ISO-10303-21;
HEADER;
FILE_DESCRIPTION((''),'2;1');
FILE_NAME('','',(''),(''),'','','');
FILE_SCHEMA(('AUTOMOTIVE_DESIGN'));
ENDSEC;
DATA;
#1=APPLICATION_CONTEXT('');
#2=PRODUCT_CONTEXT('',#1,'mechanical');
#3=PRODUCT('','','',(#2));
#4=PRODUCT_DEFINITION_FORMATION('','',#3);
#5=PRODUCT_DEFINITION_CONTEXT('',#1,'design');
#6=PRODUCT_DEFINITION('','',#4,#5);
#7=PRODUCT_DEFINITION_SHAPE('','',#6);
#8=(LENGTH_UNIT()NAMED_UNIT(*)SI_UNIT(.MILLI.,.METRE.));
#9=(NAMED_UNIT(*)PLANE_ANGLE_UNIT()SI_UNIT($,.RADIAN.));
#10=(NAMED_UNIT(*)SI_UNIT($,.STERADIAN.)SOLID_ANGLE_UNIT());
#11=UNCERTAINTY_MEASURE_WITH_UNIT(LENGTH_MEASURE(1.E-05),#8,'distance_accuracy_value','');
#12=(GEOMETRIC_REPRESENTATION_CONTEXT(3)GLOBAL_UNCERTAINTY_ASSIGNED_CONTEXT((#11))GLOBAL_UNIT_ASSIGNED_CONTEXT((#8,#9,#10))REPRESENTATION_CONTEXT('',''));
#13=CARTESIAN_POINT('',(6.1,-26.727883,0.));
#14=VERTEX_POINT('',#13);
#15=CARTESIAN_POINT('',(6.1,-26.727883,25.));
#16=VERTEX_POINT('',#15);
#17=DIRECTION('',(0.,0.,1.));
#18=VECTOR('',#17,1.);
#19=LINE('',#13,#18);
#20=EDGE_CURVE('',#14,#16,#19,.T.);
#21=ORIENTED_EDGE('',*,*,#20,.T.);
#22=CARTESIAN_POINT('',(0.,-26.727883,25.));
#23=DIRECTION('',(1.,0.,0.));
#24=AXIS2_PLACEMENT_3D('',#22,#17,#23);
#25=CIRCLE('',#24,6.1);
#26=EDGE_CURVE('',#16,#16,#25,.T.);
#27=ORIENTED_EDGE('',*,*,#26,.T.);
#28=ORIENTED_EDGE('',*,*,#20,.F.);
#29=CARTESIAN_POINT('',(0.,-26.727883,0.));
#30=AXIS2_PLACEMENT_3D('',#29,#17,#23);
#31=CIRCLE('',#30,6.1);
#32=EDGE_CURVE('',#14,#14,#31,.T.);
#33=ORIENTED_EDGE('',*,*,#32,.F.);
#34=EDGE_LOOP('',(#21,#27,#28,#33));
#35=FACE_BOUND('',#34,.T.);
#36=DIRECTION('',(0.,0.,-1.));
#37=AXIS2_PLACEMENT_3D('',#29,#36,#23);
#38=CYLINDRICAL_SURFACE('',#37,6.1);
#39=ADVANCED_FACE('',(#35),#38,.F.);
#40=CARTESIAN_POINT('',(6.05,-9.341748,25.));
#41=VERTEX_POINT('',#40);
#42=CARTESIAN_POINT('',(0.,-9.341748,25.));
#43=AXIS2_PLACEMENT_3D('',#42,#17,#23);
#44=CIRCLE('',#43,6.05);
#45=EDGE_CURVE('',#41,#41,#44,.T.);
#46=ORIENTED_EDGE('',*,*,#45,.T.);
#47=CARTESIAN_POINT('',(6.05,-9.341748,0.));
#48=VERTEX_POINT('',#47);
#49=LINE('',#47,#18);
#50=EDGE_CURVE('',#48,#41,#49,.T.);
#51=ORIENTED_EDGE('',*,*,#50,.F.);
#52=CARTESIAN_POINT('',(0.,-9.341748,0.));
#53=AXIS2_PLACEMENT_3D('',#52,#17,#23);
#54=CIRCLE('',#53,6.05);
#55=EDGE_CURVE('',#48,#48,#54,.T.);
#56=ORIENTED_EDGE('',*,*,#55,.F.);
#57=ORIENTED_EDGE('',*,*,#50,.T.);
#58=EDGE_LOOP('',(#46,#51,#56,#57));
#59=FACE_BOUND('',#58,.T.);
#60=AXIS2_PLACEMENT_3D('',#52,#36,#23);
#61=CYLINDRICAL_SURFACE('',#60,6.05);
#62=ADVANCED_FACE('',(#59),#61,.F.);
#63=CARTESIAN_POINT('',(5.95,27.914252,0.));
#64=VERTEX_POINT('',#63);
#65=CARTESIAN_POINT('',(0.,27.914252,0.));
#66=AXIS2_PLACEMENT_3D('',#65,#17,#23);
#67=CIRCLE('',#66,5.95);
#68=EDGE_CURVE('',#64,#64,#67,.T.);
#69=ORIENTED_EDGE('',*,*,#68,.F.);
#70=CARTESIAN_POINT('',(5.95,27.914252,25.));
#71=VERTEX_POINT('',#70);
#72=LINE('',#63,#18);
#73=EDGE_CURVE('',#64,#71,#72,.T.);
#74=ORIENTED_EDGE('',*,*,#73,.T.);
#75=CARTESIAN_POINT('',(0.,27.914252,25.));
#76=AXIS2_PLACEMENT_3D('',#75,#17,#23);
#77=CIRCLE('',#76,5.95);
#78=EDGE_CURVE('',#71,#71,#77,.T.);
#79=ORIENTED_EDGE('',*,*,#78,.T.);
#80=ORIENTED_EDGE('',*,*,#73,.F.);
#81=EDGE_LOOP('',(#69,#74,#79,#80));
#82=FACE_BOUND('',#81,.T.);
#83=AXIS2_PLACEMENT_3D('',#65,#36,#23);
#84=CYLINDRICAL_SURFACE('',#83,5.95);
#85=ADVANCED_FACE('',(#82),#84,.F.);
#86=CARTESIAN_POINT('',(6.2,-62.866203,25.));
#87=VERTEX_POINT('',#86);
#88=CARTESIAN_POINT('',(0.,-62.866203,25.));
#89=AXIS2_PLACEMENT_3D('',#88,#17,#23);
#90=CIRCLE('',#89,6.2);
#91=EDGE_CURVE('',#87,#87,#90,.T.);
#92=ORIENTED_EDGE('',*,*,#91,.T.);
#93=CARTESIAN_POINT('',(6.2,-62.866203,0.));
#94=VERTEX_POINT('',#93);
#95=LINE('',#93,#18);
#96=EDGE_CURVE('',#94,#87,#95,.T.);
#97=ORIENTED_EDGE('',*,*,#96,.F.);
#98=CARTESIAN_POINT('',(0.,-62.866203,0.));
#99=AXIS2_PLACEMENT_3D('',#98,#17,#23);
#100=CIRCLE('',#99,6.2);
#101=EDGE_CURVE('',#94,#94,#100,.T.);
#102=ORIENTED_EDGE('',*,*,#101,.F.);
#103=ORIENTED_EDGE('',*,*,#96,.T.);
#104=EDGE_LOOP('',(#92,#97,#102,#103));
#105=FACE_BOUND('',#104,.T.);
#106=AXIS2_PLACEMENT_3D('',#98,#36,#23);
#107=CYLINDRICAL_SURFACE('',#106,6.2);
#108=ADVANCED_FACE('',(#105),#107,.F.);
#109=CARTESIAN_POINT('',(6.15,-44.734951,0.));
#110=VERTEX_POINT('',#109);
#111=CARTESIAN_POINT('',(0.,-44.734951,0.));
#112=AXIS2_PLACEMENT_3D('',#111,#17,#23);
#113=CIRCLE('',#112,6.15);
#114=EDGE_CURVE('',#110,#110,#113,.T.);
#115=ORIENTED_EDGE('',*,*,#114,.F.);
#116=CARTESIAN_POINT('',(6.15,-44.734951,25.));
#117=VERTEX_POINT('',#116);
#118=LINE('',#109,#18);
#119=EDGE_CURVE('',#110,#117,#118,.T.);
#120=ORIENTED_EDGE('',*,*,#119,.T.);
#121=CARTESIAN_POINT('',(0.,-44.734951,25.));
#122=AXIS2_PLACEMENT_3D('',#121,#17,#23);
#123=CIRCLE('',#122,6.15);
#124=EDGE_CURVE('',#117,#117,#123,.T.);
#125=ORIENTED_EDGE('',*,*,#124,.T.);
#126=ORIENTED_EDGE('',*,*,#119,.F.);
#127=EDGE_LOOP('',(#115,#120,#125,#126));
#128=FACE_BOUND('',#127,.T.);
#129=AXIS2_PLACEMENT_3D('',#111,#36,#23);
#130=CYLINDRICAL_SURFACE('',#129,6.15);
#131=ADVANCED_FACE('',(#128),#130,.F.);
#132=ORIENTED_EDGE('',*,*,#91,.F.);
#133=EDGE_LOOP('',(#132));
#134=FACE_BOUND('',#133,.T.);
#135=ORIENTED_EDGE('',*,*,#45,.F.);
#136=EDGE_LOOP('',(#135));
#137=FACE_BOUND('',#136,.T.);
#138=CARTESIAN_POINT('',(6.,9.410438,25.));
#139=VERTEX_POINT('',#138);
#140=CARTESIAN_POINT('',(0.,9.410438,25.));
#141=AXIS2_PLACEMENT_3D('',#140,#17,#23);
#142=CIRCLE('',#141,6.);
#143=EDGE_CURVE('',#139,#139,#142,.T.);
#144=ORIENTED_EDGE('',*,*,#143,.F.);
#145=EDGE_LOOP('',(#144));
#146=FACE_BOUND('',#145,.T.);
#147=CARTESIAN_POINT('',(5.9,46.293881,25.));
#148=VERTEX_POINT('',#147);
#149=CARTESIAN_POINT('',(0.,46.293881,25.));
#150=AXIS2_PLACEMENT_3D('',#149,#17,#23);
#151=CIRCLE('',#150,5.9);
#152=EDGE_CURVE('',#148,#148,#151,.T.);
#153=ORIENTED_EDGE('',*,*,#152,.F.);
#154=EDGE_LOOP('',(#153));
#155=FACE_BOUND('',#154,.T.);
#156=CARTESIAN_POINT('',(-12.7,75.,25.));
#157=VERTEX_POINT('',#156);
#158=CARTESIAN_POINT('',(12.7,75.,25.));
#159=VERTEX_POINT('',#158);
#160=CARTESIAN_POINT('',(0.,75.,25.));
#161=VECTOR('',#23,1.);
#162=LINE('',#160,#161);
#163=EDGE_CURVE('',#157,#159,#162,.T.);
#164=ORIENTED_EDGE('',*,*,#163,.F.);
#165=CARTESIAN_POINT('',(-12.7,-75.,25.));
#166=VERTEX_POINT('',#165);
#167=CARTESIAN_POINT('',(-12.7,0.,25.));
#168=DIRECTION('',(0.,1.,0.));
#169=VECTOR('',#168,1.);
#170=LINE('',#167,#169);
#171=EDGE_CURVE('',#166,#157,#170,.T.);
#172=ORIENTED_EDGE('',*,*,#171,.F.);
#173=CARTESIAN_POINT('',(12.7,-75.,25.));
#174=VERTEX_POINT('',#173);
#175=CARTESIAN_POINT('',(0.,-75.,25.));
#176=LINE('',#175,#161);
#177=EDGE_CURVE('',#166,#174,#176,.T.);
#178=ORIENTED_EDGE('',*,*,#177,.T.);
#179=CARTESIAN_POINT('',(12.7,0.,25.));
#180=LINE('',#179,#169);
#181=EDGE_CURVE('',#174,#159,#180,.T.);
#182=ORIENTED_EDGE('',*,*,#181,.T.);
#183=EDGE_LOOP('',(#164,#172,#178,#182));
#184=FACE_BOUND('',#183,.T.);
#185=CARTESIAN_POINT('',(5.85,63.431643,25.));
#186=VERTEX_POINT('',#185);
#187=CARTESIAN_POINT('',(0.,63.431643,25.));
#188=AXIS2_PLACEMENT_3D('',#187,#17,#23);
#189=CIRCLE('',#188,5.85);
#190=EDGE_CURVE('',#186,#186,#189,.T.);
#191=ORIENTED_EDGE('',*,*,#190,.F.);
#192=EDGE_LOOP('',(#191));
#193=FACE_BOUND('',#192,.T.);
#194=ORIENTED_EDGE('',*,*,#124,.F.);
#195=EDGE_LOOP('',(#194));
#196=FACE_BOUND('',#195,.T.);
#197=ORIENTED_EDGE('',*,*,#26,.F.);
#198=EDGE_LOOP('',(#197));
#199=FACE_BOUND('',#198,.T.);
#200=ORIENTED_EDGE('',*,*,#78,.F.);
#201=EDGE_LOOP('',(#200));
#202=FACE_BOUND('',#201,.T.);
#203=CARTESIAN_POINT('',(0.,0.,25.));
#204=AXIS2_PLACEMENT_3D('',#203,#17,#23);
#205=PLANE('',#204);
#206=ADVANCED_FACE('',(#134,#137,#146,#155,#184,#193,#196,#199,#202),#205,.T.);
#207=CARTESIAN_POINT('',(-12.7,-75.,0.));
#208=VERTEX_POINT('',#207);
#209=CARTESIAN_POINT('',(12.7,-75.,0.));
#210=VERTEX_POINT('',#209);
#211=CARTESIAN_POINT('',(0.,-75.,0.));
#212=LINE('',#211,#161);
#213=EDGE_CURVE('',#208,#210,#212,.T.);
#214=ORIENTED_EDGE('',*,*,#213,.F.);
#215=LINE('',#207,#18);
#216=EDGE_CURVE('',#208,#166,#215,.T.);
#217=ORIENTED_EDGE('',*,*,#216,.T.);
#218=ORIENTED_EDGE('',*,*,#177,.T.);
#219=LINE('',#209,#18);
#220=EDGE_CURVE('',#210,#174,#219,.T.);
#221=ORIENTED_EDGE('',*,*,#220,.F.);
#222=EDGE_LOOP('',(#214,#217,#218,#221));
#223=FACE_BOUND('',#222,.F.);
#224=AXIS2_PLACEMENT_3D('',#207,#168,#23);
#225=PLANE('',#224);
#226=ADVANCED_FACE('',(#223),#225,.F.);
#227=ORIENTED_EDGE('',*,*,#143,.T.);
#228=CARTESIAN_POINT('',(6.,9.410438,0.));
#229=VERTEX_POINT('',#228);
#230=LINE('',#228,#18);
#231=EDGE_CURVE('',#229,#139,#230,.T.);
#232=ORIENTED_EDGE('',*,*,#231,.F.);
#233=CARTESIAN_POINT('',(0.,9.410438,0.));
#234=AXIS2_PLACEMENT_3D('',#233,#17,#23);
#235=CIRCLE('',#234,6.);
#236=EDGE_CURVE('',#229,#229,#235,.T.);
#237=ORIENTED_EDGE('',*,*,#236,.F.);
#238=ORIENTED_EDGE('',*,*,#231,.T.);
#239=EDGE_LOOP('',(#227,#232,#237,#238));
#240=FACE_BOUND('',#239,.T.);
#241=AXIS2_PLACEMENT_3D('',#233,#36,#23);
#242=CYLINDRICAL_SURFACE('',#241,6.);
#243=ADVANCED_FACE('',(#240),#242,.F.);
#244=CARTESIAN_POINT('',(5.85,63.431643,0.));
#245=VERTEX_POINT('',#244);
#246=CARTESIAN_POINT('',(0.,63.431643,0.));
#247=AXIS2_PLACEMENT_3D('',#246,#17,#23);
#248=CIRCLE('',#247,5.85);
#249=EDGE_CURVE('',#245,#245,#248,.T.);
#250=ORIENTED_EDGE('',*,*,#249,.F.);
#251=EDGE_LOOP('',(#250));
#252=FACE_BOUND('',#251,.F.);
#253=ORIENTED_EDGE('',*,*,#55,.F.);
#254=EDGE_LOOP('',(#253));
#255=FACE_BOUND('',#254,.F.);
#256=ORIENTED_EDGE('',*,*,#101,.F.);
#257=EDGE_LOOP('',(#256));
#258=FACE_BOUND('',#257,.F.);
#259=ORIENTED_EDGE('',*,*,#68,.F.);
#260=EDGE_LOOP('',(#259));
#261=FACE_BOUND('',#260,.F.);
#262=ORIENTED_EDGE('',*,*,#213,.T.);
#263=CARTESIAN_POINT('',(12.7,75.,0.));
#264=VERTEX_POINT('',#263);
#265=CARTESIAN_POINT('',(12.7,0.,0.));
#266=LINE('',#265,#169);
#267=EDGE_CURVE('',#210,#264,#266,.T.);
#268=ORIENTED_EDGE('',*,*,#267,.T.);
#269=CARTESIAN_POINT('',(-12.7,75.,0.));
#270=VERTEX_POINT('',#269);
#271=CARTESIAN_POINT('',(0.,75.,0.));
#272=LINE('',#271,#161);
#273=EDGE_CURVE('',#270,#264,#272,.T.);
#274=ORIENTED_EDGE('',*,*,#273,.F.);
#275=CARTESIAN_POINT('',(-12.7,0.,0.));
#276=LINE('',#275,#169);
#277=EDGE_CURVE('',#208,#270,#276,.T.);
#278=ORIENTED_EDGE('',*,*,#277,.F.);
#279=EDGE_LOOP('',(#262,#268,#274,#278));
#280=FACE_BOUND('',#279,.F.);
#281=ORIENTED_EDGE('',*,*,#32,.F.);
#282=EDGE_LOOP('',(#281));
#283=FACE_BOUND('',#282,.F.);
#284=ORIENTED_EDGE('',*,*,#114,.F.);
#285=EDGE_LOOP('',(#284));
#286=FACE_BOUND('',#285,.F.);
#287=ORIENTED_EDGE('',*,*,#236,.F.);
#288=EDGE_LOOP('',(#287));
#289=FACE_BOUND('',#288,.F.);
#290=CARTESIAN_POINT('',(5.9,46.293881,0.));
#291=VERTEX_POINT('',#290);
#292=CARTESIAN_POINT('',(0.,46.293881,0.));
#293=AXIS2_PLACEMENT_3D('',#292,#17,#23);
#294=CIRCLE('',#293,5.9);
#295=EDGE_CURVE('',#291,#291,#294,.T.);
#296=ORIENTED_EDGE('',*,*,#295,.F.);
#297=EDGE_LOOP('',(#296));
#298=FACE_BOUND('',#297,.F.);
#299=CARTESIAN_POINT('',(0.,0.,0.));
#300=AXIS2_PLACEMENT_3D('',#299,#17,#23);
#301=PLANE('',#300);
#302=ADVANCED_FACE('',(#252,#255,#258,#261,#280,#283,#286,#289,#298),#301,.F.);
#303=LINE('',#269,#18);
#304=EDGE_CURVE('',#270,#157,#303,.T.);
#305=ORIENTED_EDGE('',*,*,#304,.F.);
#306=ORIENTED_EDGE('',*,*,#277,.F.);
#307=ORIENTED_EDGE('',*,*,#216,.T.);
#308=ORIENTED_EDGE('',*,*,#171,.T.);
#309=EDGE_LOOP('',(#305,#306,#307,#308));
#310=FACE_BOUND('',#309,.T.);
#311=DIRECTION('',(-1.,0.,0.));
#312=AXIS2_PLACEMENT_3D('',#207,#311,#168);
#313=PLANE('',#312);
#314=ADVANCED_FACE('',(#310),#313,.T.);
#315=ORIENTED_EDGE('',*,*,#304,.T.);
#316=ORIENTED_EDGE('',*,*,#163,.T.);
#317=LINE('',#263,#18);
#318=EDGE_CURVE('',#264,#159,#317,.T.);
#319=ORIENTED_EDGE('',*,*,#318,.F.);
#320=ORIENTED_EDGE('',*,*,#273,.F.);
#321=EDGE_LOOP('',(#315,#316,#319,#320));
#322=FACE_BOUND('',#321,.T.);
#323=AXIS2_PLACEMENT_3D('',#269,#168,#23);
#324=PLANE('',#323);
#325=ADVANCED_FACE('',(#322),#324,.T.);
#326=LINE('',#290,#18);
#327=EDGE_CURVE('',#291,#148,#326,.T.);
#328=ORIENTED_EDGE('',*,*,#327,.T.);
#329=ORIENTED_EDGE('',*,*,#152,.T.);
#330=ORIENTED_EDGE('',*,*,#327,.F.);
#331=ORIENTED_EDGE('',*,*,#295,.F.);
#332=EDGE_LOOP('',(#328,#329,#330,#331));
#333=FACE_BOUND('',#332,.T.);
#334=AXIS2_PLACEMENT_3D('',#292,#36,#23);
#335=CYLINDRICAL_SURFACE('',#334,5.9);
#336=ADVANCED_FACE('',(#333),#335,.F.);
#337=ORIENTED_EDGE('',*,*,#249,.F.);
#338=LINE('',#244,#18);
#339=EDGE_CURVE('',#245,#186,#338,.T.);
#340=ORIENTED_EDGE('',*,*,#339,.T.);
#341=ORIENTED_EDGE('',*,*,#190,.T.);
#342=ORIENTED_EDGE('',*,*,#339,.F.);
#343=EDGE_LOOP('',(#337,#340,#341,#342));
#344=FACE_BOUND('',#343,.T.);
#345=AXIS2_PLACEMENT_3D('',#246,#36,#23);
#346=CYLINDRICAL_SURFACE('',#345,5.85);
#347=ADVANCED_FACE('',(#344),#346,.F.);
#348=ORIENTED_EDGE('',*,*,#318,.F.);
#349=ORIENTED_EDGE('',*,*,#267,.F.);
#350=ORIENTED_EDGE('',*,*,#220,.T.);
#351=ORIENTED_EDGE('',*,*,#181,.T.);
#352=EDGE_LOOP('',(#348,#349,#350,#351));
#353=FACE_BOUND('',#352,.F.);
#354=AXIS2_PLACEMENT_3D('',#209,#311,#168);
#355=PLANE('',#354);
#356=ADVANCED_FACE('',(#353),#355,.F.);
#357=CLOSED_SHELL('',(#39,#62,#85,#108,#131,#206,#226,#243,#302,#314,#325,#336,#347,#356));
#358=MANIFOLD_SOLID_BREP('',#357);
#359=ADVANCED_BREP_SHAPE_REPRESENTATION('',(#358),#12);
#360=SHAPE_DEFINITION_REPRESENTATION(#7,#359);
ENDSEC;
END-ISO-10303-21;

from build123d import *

# Parameters (mm, degrees)
F0_W     = 25.4
F0_H     = 150
F0_R     = 6.2
F0_R_2   = 6.15
F0_R_3   = 6.1
F0_R_4   = 6.05
F0_R_5   = 6
F0_R_6   = 5.95
F0_R_7   = 5.9
F0_R_8   = 5.85
F1_DEPTH = 25


with BuildPart() as f1:
    # F0 (on Top) → F1 (new body)
    with BuildSketch(Plane.XY):
        Rectangle(F0_W, F0_H)
        with Locations((0, -62.866203)):
            Circle(F0_R, mode=Mode.SUBTRACT)
        with Locations((0, -44.734951)):
            Circle(F0_R_2, mode=Mode.SUBTRACT)
        with Locations((0, -26.727883)):
            Circle(F0_R_3, mode=Mode.SUBTRACT)
        with Locations((0, -9.341748)):
            Circle(F0_R_4, mode=Mode.SUBTRACT)
        with Locations((0, 9.410438)):
            Circle(F0_R_5, mode=Mode.SUBTRACT)
        with Locations((0, 27.914252)):
            Circle(F0_R_6, mode=Mode.SUBTRACT)
        with Locations((0, 46.293881)):
            Circle(F0_R_7, mode=Mode.SUBTRACT)
        with Locations((0, 63.431643)):
            Circle(F0_R_8, mode=Mode.SUBTRACT)
    extrude(amount=F1_DEPTH)


solid = f1.part
